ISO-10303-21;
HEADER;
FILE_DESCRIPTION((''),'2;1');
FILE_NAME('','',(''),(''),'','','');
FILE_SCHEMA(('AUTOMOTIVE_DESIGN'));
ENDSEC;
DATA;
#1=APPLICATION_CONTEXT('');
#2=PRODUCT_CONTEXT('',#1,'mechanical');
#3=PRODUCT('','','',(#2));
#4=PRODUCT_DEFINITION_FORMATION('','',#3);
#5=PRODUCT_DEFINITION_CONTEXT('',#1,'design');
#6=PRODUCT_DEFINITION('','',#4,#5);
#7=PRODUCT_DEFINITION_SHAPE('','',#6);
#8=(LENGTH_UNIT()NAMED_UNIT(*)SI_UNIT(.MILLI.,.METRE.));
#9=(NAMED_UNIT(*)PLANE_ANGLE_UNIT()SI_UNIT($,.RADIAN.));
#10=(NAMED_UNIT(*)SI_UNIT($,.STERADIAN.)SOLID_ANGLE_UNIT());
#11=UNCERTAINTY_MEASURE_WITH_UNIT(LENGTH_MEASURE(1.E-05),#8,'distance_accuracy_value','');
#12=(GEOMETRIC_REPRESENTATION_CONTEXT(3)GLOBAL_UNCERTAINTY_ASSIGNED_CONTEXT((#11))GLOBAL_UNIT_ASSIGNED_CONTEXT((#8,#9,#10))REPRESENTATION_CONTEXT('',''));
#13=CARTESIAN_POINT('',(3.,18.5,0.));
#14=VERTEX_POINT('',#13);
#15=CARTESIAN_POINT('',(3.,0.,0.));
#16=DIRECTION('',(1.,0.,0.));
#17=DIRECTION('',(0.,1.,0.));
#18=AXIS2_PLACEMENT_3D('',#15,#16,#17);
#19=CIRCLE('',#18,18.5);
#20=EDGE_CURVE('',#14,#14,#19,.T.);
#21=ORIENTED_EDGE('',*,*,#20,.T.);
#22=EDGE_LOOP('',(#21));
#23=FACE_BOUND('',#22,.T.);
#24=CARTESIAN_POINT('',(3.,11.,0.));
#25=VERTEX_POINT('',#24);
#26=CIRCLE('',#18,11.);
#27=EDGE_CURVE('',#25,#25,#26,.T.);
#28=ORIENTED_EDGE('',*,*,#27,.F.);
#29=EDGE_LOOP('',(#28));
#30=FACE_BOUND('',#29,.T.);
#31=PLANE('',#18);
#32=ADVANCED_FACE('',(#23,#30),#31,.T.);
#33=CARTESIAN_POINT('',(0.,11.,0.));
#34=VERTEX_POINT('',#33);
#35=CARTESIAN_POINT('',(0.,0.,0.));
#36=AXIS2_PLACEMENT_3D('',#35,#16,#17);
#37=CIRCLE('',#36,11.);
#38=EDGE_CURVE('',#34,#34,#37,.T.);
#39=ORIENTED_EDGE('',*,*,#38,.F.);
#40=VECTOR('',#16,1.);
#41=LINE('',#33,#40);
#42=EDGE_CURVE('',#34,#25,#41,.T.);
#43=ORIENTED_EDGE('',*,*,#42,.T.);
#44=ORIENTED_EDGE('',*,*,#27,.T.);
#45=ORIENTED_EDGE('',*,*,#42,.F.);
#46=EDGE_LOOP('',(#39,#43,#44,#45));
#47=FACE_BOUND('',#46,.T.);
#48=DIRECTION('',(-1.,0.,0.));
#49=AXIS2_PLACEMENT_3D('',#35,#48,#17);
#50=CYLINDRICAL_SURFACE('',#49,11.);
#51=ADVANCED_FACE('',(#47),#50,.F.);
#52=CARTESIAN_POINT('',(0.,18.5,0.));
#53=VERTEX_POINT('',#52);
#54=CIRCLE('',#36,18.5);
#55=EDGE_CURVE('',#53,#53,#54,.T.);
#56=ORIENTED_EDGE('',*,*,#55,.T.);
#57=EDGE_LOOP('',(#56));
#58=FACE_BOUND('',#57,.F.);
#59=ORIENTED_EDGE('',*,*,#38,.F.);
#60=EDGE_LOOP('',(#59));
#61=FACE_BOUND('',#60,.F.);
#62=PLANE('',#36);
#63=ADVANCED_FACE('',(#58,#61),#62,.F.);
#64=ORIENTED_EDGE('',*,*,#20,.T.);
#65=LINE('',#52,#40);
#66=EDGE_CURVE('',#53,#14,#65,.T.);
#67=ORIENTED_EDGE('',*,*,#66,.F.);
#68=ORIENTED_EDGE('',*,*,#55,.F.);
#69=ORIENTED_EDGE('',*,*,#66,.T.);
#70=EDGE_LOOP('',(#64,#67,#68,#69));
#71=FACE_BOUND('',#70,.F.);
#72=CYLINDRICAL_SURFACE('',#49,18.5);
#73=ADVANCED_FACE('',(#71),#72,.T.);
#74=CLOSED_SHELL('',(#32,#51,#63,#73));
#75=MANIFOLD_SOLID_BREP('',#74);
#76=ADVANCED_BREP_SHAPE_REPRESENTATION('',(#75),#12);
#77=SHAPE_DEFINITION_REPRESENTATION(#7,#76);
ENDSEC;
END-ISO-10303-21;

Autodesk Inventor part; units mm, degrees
ref_plane "YZ Plane" through (0, 0, 0) normal (1, 0, 0) x (0, 1, 0)
ref_plane "XZ Plane" through (0, 0, 0) normal (0, 1, 0) x (-1, 0, 0)
sketch "Sketch" plane through (0, 0, 0) normal (1, 0, 0) x (0, 1, 0)
  circle A0 centre (0, 0) radius 18.5
  circle A1 centre (0, 0) radius 11
  dimension "d0" = 22
  dimension "d1" = 37
extrude "Body" add sketch "Sketch" along normal blind 3
ref_plane "Work Plane1" through (0, 0, 0) normal (0, 0, 1) x (1, 0, 0)
equation "\"d0\" = SD1"
equation "\"d1\" = SD2"
equation "\"d2\" = SD"
equation "\"SD1\" = 22"
equation "\"SD2\" = 37"
equation "\"SD\" = 3"
properties part number "ISO 7091 - ST 20 - 100 HV" material "Steel"
